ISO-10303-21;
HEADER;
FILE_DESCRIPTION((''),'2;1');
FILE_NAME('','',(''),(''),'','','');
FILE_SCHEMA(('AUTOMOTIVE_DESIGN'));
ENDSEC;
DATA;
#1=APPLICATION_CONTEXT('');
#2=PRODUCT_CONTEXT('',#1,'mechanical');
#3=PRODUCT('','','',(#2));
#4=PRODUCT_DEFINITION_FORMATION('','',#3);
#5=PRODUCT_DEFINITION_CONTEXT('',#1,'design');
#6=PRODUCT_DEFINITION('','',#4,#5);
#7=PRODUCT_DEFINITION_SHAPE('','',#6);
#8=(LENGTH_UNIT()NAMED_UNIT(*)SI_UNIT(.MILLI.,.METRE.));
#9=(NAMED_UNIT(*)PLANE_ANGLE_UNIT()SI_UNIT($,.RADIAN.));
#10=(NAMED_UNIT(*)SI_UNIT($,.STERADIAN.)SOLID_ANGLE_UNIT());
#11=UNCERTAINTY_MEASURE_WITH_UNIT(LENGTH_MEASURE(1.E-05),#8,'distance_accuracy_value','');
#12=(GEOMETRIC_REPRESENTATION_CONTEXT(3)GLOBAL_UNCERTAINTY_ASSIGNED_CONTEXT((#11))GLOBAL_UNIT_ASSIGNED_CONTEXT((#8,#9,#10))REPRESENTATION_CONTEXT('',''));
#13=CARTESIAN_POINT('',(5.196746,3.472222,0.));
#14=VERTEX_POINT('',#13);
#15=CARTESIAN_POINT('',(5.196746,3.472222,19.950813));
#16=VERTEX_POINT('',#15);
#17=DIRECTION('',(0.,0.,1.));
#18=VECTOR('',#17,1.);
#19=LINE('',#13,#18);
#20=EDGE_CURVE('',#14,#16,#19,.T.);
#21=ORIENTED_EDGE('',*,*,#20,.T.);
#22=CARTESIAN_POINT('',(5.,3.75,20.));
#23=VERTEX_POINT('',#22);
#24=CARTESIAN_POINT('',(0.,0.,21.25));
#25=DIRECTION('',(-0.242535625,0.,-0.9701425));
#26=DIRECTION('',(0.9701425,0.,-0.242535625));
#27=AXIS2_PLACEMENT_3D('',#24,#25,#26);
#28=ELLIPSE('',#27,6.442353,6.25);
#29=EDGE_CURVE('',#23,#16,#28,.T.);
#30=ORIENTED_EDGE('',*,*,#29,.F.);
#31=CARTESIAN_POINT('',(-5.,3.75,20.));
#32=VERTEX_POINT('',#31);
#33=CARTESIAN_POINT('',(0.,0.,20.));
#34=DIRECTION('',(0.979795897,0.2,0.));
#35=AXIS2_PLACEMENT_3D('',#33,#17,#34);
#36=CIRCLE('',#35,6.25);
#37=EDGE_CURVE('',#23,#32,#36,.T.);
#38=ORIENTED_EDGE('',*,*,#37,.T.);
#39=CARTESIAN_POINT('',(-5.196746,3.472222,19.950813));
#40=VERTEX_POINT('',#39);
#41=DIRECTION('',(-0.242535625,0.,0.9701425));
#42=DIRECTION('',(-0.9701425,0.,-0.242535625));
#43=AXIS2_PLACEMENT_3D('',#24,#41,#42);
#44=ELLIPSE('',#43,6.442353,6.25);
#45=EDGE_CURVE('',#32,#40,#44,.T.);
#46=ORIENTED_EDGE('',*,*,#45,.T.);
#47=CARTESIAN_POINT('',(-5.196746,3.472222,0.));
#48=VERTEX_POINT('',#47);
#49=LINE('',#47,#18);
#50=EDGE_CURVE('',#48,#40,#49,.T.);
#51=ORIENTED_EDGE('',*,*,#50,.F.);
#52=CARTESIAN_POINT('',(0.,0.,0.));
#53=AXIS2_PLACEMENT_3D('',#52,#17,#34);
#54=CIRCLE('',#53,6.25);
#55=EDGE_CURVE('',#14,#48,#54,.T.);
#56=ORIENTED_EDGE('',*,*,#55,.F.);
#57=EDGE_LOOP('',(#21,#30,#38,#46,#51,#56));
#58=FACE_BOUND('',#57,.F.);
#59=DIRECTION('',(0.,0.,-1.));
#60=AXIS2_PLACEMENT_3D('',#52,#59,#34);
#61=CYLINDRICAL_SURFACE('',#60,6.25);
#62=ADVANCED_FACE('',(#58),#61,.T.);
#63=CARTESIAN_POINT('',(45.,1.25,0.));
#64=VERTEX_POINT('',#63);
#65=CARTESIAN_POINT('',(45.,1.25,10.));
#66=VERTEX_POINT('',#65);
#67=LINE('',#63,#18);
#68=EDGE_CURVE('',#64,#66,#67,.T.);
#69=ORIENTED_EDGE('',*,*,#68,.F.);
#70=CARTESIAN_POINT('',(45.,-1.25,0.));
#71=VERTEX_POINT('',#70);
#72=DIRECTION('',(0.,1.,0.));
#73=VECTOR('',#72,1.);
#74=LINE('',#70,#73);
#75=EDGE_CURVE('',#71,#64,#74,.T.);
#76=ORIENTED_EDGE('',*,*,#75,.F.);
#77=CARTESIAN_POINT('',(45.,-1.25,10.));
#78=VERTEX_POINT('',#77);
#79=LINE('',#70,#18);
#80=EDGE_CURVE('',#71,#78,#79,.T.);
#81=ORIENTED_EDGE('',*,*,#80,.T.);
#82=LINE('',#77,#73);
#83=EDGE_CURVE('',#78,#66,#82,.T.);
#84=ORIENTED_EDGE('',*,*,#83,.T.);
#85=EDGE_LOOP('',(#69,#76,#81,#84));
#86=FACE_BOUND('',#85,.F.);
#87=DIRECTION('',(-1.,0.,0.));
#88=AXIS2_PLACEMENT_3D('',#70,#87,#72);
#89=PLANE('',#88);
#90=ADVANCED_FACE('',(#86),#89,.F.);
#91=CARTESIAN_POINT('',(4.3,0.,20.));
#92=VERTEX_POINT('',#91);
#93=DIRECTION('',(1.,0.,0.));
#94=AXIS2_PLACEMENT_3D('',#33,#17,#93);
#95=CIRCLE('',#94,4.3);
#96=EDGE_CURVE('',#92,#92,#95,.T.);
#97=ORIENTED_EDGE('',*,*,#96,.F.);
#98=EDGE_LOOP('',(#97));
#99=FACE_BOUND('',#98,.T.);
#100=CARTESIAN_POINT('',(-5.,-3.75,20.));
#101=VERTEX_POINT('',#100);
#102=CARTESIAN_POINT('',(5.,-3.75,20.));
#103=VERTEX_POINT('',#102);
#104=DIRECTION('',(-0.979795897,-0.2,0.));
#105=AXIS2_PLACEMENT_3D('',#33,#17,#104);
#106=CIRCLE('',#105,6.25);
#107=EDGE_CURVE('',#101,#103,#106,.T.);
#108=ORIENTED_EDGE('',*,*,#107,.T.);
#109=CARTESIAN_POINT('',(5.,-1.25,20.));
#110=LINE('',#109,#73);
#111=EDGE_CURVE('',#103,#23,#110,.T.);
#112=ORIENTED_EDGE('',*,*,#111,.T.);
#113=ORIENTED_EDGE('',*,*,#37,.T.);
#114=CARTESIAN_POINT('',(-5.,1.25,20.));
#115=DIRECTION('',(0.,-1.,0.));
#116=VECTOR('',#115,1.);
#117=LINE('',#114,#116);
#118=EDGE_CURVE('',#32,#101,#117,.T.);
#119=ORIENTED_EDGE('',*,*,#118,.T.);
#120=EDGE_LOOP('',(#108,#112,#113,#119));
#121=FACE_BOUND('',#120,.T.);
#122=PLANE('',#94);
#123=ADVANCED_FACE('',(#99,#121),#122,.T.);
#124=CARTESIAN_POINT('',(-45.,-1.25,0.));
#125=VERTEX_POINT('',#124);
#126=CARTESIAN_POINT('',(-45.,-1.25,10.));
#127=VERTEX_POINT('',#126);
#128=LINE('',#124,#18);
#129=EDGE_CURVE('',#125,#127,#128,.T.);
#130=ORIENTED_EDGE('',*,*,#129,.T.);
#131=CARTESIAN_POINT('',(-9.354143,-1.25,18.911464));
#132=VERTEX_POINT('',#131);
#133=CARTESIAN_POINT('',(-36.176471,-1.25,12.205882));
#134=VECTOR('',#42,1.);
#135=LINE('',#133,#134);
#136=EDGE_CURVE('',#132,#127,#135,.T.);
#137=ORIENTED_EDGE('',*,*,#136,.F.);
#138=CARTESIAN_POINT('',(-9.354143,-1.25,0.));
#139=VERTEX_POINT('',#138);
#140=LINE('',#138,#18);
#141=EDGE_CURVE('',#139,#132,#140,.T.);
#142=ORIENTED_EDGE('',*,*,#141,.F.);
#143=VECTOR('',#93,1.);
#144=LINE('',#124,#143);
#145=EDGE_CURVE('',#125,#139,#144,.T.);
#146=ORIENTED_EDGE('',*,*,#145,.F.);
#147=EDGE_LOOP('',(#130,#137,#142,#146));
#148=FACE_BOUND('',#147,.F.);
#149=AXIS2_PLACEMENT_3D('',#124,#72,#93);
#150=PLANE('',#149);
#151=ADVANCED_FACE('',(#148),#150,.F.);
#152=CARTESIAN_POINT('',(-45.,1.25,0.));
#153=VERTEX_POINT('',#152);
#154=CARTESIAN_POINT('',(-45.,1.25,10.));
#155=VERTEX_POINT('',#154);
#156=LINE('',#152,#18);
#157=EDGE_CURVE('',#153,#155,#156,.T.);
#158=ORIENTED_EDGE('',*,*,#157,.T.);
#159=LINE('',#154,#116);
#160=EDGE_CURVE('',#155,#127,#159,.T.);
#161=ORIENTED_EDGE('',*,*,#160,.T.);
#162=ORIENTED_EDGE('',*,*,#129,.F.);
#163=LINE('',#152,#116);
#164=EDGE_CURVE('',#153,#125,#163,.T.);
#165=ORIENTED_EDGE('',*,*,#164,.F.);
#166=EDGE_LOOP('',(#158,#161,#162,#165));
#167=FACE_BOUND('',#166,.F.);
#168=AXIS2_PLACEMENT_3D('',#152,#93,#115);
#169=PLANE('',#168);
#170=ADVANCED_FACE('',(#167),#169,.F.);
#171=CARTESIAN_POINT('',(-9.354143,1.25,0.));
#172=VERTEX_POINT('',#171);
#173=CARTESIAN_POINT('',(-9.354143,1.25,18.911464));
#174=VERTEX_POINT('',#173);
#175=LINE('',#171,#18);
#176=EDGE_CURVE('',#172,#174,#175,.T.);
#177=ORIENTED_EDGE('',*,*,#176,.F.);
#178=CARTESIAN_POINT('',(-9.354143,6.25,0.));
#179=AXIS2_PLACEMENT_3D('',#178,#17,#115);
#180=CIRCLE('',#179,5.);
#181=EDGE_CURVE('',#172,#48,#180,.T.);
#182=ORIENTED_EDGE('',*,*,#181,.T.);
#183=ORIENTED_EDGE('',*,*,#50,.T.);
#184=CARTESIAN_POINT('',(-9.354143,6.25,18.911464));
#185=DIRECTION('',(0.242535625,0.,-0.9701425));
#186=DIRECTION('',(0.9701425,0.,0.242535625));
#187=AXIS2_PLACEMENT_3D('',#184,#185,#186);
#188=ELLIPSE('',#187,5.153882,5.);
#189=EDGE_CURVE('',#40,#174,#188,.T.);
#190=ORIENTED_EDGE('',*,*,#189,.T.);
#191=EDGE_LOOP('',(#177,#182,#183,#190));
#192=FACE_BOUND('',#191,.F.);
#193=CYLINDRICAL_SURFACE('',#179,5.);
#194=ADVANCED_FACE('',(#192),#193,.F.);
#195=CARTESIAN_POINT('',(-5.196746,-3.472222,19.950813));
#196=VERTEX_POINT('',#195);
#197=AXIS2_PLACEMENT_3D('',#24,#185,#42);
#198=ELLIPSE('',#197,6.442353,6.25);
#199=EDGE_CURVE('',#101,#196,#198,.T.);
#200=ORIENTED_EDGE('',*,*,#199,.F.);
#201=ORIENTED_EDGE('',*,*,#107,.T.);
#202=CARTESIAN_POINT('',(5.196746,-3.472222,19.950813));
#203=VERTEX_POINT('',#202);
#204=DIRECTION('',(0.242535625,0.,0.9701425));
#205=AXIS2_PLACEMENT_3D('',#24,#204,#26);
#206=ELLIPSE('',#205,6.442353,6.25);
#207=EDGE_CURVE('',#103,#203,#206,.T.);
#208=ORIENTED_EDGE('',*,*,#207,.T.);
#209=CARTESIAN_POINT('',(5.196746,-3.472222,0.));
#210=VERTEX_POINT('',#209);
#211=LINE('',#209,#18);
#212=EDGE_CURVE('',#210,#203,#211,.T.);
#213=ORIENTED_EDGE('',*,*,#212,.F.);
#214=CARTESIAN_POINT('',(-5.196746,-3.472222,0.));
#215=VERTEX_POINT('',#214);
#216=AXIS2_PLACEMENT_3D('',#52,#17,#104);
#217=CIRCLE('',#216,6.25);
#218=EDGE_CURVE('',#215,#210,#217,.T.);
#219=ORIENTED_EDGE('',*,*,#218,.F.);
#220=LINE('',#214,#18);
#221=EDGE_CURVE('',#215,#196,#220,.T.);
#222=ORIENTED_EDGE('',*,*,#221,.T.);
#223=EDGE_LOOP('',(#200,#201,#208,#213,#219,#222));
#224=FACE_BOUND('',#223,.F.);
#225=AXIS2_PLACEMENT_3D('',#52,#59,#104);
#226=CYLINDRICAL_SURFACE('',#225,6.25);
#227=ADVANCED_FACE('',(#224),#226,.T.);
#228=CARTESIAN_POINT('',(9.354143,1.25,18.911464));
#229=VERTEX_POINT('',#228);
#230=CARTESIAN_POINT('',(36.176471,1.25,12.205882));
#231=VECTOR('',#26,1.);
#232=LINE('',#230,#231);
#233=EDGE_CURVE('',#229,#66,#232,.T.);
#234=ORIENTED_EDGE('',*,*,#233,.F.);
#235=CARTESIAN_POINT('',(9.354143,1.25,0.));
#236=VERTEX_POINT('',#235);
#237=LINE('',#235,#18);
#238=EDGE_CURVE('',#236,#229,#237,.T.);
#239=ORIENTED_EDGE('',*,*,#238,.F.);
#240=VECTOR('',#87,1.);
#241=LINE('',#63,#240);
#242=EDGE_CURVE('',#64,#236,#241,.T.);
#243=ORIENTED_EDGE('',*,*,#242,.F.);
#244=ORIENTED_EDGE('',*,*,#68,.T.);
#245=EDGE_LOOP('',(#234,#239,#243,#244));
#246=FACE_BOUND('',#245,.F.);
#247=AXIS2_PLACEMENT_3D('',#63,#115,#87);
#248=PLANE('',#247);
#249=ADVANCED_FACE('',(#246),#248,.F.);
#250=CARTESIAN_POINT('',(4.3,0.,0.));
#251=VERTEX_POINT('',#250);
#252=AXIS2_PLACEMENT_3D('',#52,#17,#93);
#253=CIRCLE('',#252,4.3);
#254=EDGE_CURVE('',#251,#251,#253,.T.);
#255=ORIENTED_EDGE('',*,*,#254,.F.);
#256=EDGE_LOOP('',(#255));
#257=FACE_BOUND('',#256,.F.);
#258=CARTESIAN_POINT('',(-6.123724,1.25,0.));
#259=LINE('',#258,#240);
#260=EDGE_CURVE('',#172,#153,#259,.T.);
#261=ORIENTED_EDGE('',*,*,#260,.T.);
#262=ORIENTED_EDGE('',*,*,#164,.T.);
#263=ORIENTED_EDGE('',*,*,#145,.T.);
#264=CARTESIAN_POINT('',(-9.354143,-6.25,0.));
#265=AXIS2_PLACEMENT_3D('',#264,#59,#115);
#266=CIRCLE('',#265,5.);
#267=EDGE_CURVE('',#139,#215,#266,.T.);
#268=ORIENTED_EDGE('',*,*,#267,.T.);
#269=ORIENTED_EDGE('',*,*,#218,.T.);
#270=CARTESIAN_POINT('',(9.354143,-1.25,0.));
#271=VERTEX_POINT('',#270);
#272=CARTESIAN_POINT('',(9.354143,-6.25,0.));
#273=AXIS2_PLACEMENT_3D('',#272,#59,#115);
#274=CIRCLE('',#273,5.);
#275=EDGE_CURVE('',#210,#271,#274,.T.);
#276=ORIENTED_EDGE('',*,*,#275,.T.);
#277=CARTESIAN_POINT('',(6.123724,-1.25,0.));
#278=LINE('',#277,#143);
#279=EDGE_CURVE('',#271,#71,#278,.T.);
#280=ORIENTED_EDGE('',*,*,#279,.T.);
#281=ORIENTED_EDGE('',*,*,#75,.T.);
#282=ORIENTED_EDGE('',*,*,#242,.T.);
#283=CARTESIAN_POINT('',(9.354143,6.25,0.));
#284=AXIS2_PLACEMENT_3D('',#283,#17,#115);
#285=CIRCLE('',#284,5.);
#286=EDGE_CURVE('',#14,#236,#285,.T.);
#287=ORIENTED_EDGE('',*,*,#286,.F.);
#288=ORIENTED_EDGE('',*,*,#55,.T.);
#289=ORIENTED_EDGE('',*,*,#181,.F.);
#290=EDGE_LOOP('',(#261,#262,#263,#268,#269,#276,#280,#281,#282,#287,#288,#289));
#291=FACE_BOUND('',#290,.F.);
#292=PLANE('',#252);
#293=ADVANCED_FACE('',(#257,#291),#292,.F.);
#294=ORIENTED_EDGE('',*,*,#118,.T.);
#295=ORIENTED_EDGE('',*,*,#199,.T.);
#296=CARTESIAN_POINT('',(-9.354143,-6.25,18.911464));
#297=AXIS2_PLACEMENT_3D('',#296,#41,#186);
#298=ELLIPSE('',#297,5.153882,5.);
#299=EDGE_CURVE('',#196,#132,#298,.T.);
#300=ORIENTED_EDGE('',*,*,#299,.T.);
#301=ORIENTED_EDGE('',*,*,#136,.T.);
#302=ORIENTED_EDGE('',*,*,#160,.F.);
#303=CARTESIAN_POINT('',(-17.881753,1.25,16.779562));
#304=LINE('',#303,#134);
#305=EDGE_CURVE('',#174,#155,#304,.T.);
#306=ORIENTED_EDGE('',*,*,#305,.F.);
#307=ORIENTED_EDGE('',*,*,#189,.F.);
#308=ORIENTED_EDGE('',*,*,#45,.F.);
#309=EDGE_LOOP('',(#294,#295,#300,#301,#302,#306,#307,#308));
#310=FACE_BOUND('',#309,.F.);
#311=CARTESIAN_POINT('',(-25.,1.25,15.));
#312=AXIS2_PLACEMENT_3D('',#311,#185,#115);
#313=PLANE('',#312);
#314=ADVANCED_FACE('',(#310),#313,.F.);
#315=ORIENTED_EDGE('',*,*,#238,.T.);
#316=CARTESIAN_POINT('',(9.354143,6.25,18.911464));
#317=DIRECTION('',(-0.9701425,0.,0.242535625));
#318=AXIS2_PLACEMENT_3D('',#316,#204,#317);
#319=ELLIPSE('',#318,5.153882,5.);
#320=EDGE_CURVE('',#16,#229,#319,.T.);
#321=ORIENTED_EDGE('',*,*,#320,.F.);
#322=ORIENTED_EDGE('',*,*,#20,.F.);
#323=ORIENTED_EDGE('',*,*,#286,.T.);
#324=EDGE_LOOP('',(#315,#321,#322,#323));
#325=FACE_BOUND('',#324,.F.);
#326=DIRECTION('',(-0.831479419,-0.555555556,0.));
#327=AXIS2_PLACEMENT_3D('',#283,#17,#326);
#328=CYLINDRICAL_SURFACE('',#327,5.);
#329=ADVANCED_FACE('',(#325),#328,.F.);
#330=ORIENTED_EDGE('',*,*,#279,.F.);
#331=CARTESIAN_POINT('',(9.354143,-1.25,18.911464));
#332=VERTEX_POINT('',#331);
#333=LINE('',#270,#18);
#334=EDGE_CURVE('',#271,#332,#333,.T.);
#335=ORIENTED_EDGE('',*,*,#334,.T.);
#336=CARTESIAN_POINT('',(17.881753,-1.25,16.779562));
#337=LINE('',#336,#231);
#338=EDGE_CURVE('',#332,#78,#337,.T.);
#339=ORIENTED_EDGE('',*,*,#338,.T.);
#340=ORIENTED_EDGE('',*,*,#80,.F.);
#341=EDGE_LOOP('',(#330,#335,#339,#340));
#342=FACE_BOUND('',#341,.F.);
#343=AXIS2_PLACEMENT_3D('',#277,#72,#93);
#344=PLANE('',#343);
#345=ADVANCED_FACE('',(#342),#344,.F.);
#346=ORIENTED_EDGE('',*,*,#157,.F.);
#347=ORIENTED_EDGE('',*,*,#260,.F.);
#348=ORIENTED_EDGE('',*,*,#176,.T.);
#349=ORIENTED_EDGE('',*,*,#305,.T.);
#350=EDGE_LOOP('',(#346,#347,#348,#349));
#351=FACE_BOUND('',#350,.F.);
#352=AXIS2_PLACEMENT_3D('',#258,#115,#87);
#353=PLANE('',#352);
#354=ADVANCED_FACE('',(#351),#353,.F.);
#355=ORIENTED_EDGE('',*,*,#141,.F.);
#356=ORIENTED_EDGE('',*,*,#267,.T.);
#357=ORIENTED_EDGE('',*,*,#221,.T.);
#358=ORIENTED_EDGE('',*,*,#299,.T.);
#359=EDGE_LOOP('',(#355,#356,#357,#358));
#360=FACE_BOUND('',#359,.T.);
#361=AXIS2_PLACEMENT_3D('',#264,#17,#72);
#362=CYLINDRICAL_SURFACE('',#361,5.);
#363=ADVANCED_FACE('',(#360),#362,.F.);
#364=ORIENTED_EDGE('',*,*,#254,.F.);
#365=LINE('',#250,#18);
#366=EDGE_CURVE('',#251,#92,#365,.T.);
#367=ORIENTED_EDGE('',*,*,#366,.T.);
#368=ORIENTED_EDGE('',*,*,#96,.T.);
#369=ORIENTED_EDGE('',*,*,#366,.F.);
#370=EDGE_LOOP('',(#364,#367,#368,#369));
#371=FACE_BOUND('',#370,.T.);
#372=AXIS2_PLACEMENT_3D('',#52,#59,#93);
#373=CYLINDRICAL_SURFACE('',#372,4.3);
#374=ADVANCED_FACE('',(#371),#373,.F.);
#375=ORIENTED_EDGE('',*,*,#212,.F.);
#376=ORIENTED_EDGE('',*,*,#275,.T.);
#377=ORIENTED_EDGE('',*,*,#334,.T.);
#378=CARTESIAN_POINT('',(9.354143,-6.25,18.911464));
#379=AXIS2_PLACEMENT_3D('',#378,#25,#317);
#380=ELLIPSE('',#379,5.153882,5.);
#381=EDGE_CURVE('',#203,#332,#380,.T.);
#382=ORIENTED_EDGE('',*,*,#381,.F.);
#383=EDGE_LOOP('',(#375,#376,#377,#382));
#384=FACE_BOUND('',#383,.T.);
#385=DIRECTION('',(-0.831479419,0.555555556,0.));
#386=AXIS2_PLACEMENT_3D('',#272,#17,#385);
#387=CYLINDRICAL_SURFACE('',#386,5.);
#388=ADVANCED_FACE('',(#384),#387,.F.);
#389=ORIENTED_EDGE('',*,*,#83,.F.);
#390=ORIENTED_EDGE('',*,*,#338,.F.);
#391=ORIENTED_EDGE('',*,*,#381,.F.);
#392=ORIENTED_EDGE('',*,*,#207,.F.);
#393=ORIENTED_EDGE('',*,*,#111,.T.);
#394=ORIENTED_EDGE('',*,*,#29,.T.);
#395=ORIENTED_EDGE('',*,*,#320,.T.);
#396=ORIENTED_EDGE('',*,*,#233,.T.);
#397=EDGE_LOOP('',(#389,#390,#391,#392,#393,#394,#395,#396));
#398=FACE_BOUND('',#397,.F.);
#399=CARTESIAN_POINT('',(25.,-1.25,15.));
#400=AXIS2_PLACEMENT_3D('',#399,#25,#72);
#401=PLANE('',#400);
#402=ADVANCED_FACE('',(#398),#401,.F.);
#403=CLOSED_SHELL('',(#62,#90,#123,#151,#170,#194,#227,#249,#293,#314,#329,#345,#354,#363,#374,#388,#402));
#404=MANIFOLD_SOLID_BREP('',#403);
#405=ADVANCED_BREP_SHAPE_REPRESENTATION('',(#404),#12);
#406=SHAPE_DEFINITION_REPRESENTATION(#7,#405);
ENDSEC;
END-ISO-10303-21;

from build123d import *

# Parameters (mm, degrees)
F0_R     = 4.3
F1_DEPTH = 20
F2_R     = 5
F3_SIZE2 = 10
F3_SIZE  = 40


with BuildPart() as f1:
    # F0 (on Top) → F1 (new body)
    with BuildSketch(Plane.XY):
        with BuildLine():
            Line((-45, -1.25), (-6.123724357, -1.25))
            ThreePointArc((-6.123724357, -1.25), (0, -6.25), (6.123724357, -1.25))
            Line((6.123724357, -1.25), (45, -1.25))
            Line((45, -1.25), (45, 1.25))
            Line((45, 1.25), (6.123724357, 1.25))
            ThreePointArc((6.123724357, 1.25), (0, 6.25), (-6.123724357, 1.25))
            Line((-6.123724357, 1.25), (-45, 1.25))
            Line((-45, 1.25), (-45, -1.25))
        make_face()
        Circle(F0_R, mode=Mode.SUBTRACT)
    extrude(amount=F1_DEPTH)

    # F2
    f2_edges = [f1.edges().sort_by_distance(p)[0] for p in [
        (-6.123724, -1.25, 10),
        (6.123724, -1.25, 10),
        (-6.123724, 1.25, 10),
        (6.123724, 1.25, 10),
    ]]
    fillet(f2_edges, radius=F2_R)

    # F3
    f3_edges = [f1.edges().sort_by_distance(p)[0] for p in [
        (-45, 0, 20),
        (45, 0, 20),
    ]]
    f3_side = f1.faces().sort_by_distance((-27.177072, 0.341361, 20))[0]
    chamfer(f3_edges, length=F3_SIZE, length2=F3_SIZE2, reference=f3_side)


solid = f1.part
